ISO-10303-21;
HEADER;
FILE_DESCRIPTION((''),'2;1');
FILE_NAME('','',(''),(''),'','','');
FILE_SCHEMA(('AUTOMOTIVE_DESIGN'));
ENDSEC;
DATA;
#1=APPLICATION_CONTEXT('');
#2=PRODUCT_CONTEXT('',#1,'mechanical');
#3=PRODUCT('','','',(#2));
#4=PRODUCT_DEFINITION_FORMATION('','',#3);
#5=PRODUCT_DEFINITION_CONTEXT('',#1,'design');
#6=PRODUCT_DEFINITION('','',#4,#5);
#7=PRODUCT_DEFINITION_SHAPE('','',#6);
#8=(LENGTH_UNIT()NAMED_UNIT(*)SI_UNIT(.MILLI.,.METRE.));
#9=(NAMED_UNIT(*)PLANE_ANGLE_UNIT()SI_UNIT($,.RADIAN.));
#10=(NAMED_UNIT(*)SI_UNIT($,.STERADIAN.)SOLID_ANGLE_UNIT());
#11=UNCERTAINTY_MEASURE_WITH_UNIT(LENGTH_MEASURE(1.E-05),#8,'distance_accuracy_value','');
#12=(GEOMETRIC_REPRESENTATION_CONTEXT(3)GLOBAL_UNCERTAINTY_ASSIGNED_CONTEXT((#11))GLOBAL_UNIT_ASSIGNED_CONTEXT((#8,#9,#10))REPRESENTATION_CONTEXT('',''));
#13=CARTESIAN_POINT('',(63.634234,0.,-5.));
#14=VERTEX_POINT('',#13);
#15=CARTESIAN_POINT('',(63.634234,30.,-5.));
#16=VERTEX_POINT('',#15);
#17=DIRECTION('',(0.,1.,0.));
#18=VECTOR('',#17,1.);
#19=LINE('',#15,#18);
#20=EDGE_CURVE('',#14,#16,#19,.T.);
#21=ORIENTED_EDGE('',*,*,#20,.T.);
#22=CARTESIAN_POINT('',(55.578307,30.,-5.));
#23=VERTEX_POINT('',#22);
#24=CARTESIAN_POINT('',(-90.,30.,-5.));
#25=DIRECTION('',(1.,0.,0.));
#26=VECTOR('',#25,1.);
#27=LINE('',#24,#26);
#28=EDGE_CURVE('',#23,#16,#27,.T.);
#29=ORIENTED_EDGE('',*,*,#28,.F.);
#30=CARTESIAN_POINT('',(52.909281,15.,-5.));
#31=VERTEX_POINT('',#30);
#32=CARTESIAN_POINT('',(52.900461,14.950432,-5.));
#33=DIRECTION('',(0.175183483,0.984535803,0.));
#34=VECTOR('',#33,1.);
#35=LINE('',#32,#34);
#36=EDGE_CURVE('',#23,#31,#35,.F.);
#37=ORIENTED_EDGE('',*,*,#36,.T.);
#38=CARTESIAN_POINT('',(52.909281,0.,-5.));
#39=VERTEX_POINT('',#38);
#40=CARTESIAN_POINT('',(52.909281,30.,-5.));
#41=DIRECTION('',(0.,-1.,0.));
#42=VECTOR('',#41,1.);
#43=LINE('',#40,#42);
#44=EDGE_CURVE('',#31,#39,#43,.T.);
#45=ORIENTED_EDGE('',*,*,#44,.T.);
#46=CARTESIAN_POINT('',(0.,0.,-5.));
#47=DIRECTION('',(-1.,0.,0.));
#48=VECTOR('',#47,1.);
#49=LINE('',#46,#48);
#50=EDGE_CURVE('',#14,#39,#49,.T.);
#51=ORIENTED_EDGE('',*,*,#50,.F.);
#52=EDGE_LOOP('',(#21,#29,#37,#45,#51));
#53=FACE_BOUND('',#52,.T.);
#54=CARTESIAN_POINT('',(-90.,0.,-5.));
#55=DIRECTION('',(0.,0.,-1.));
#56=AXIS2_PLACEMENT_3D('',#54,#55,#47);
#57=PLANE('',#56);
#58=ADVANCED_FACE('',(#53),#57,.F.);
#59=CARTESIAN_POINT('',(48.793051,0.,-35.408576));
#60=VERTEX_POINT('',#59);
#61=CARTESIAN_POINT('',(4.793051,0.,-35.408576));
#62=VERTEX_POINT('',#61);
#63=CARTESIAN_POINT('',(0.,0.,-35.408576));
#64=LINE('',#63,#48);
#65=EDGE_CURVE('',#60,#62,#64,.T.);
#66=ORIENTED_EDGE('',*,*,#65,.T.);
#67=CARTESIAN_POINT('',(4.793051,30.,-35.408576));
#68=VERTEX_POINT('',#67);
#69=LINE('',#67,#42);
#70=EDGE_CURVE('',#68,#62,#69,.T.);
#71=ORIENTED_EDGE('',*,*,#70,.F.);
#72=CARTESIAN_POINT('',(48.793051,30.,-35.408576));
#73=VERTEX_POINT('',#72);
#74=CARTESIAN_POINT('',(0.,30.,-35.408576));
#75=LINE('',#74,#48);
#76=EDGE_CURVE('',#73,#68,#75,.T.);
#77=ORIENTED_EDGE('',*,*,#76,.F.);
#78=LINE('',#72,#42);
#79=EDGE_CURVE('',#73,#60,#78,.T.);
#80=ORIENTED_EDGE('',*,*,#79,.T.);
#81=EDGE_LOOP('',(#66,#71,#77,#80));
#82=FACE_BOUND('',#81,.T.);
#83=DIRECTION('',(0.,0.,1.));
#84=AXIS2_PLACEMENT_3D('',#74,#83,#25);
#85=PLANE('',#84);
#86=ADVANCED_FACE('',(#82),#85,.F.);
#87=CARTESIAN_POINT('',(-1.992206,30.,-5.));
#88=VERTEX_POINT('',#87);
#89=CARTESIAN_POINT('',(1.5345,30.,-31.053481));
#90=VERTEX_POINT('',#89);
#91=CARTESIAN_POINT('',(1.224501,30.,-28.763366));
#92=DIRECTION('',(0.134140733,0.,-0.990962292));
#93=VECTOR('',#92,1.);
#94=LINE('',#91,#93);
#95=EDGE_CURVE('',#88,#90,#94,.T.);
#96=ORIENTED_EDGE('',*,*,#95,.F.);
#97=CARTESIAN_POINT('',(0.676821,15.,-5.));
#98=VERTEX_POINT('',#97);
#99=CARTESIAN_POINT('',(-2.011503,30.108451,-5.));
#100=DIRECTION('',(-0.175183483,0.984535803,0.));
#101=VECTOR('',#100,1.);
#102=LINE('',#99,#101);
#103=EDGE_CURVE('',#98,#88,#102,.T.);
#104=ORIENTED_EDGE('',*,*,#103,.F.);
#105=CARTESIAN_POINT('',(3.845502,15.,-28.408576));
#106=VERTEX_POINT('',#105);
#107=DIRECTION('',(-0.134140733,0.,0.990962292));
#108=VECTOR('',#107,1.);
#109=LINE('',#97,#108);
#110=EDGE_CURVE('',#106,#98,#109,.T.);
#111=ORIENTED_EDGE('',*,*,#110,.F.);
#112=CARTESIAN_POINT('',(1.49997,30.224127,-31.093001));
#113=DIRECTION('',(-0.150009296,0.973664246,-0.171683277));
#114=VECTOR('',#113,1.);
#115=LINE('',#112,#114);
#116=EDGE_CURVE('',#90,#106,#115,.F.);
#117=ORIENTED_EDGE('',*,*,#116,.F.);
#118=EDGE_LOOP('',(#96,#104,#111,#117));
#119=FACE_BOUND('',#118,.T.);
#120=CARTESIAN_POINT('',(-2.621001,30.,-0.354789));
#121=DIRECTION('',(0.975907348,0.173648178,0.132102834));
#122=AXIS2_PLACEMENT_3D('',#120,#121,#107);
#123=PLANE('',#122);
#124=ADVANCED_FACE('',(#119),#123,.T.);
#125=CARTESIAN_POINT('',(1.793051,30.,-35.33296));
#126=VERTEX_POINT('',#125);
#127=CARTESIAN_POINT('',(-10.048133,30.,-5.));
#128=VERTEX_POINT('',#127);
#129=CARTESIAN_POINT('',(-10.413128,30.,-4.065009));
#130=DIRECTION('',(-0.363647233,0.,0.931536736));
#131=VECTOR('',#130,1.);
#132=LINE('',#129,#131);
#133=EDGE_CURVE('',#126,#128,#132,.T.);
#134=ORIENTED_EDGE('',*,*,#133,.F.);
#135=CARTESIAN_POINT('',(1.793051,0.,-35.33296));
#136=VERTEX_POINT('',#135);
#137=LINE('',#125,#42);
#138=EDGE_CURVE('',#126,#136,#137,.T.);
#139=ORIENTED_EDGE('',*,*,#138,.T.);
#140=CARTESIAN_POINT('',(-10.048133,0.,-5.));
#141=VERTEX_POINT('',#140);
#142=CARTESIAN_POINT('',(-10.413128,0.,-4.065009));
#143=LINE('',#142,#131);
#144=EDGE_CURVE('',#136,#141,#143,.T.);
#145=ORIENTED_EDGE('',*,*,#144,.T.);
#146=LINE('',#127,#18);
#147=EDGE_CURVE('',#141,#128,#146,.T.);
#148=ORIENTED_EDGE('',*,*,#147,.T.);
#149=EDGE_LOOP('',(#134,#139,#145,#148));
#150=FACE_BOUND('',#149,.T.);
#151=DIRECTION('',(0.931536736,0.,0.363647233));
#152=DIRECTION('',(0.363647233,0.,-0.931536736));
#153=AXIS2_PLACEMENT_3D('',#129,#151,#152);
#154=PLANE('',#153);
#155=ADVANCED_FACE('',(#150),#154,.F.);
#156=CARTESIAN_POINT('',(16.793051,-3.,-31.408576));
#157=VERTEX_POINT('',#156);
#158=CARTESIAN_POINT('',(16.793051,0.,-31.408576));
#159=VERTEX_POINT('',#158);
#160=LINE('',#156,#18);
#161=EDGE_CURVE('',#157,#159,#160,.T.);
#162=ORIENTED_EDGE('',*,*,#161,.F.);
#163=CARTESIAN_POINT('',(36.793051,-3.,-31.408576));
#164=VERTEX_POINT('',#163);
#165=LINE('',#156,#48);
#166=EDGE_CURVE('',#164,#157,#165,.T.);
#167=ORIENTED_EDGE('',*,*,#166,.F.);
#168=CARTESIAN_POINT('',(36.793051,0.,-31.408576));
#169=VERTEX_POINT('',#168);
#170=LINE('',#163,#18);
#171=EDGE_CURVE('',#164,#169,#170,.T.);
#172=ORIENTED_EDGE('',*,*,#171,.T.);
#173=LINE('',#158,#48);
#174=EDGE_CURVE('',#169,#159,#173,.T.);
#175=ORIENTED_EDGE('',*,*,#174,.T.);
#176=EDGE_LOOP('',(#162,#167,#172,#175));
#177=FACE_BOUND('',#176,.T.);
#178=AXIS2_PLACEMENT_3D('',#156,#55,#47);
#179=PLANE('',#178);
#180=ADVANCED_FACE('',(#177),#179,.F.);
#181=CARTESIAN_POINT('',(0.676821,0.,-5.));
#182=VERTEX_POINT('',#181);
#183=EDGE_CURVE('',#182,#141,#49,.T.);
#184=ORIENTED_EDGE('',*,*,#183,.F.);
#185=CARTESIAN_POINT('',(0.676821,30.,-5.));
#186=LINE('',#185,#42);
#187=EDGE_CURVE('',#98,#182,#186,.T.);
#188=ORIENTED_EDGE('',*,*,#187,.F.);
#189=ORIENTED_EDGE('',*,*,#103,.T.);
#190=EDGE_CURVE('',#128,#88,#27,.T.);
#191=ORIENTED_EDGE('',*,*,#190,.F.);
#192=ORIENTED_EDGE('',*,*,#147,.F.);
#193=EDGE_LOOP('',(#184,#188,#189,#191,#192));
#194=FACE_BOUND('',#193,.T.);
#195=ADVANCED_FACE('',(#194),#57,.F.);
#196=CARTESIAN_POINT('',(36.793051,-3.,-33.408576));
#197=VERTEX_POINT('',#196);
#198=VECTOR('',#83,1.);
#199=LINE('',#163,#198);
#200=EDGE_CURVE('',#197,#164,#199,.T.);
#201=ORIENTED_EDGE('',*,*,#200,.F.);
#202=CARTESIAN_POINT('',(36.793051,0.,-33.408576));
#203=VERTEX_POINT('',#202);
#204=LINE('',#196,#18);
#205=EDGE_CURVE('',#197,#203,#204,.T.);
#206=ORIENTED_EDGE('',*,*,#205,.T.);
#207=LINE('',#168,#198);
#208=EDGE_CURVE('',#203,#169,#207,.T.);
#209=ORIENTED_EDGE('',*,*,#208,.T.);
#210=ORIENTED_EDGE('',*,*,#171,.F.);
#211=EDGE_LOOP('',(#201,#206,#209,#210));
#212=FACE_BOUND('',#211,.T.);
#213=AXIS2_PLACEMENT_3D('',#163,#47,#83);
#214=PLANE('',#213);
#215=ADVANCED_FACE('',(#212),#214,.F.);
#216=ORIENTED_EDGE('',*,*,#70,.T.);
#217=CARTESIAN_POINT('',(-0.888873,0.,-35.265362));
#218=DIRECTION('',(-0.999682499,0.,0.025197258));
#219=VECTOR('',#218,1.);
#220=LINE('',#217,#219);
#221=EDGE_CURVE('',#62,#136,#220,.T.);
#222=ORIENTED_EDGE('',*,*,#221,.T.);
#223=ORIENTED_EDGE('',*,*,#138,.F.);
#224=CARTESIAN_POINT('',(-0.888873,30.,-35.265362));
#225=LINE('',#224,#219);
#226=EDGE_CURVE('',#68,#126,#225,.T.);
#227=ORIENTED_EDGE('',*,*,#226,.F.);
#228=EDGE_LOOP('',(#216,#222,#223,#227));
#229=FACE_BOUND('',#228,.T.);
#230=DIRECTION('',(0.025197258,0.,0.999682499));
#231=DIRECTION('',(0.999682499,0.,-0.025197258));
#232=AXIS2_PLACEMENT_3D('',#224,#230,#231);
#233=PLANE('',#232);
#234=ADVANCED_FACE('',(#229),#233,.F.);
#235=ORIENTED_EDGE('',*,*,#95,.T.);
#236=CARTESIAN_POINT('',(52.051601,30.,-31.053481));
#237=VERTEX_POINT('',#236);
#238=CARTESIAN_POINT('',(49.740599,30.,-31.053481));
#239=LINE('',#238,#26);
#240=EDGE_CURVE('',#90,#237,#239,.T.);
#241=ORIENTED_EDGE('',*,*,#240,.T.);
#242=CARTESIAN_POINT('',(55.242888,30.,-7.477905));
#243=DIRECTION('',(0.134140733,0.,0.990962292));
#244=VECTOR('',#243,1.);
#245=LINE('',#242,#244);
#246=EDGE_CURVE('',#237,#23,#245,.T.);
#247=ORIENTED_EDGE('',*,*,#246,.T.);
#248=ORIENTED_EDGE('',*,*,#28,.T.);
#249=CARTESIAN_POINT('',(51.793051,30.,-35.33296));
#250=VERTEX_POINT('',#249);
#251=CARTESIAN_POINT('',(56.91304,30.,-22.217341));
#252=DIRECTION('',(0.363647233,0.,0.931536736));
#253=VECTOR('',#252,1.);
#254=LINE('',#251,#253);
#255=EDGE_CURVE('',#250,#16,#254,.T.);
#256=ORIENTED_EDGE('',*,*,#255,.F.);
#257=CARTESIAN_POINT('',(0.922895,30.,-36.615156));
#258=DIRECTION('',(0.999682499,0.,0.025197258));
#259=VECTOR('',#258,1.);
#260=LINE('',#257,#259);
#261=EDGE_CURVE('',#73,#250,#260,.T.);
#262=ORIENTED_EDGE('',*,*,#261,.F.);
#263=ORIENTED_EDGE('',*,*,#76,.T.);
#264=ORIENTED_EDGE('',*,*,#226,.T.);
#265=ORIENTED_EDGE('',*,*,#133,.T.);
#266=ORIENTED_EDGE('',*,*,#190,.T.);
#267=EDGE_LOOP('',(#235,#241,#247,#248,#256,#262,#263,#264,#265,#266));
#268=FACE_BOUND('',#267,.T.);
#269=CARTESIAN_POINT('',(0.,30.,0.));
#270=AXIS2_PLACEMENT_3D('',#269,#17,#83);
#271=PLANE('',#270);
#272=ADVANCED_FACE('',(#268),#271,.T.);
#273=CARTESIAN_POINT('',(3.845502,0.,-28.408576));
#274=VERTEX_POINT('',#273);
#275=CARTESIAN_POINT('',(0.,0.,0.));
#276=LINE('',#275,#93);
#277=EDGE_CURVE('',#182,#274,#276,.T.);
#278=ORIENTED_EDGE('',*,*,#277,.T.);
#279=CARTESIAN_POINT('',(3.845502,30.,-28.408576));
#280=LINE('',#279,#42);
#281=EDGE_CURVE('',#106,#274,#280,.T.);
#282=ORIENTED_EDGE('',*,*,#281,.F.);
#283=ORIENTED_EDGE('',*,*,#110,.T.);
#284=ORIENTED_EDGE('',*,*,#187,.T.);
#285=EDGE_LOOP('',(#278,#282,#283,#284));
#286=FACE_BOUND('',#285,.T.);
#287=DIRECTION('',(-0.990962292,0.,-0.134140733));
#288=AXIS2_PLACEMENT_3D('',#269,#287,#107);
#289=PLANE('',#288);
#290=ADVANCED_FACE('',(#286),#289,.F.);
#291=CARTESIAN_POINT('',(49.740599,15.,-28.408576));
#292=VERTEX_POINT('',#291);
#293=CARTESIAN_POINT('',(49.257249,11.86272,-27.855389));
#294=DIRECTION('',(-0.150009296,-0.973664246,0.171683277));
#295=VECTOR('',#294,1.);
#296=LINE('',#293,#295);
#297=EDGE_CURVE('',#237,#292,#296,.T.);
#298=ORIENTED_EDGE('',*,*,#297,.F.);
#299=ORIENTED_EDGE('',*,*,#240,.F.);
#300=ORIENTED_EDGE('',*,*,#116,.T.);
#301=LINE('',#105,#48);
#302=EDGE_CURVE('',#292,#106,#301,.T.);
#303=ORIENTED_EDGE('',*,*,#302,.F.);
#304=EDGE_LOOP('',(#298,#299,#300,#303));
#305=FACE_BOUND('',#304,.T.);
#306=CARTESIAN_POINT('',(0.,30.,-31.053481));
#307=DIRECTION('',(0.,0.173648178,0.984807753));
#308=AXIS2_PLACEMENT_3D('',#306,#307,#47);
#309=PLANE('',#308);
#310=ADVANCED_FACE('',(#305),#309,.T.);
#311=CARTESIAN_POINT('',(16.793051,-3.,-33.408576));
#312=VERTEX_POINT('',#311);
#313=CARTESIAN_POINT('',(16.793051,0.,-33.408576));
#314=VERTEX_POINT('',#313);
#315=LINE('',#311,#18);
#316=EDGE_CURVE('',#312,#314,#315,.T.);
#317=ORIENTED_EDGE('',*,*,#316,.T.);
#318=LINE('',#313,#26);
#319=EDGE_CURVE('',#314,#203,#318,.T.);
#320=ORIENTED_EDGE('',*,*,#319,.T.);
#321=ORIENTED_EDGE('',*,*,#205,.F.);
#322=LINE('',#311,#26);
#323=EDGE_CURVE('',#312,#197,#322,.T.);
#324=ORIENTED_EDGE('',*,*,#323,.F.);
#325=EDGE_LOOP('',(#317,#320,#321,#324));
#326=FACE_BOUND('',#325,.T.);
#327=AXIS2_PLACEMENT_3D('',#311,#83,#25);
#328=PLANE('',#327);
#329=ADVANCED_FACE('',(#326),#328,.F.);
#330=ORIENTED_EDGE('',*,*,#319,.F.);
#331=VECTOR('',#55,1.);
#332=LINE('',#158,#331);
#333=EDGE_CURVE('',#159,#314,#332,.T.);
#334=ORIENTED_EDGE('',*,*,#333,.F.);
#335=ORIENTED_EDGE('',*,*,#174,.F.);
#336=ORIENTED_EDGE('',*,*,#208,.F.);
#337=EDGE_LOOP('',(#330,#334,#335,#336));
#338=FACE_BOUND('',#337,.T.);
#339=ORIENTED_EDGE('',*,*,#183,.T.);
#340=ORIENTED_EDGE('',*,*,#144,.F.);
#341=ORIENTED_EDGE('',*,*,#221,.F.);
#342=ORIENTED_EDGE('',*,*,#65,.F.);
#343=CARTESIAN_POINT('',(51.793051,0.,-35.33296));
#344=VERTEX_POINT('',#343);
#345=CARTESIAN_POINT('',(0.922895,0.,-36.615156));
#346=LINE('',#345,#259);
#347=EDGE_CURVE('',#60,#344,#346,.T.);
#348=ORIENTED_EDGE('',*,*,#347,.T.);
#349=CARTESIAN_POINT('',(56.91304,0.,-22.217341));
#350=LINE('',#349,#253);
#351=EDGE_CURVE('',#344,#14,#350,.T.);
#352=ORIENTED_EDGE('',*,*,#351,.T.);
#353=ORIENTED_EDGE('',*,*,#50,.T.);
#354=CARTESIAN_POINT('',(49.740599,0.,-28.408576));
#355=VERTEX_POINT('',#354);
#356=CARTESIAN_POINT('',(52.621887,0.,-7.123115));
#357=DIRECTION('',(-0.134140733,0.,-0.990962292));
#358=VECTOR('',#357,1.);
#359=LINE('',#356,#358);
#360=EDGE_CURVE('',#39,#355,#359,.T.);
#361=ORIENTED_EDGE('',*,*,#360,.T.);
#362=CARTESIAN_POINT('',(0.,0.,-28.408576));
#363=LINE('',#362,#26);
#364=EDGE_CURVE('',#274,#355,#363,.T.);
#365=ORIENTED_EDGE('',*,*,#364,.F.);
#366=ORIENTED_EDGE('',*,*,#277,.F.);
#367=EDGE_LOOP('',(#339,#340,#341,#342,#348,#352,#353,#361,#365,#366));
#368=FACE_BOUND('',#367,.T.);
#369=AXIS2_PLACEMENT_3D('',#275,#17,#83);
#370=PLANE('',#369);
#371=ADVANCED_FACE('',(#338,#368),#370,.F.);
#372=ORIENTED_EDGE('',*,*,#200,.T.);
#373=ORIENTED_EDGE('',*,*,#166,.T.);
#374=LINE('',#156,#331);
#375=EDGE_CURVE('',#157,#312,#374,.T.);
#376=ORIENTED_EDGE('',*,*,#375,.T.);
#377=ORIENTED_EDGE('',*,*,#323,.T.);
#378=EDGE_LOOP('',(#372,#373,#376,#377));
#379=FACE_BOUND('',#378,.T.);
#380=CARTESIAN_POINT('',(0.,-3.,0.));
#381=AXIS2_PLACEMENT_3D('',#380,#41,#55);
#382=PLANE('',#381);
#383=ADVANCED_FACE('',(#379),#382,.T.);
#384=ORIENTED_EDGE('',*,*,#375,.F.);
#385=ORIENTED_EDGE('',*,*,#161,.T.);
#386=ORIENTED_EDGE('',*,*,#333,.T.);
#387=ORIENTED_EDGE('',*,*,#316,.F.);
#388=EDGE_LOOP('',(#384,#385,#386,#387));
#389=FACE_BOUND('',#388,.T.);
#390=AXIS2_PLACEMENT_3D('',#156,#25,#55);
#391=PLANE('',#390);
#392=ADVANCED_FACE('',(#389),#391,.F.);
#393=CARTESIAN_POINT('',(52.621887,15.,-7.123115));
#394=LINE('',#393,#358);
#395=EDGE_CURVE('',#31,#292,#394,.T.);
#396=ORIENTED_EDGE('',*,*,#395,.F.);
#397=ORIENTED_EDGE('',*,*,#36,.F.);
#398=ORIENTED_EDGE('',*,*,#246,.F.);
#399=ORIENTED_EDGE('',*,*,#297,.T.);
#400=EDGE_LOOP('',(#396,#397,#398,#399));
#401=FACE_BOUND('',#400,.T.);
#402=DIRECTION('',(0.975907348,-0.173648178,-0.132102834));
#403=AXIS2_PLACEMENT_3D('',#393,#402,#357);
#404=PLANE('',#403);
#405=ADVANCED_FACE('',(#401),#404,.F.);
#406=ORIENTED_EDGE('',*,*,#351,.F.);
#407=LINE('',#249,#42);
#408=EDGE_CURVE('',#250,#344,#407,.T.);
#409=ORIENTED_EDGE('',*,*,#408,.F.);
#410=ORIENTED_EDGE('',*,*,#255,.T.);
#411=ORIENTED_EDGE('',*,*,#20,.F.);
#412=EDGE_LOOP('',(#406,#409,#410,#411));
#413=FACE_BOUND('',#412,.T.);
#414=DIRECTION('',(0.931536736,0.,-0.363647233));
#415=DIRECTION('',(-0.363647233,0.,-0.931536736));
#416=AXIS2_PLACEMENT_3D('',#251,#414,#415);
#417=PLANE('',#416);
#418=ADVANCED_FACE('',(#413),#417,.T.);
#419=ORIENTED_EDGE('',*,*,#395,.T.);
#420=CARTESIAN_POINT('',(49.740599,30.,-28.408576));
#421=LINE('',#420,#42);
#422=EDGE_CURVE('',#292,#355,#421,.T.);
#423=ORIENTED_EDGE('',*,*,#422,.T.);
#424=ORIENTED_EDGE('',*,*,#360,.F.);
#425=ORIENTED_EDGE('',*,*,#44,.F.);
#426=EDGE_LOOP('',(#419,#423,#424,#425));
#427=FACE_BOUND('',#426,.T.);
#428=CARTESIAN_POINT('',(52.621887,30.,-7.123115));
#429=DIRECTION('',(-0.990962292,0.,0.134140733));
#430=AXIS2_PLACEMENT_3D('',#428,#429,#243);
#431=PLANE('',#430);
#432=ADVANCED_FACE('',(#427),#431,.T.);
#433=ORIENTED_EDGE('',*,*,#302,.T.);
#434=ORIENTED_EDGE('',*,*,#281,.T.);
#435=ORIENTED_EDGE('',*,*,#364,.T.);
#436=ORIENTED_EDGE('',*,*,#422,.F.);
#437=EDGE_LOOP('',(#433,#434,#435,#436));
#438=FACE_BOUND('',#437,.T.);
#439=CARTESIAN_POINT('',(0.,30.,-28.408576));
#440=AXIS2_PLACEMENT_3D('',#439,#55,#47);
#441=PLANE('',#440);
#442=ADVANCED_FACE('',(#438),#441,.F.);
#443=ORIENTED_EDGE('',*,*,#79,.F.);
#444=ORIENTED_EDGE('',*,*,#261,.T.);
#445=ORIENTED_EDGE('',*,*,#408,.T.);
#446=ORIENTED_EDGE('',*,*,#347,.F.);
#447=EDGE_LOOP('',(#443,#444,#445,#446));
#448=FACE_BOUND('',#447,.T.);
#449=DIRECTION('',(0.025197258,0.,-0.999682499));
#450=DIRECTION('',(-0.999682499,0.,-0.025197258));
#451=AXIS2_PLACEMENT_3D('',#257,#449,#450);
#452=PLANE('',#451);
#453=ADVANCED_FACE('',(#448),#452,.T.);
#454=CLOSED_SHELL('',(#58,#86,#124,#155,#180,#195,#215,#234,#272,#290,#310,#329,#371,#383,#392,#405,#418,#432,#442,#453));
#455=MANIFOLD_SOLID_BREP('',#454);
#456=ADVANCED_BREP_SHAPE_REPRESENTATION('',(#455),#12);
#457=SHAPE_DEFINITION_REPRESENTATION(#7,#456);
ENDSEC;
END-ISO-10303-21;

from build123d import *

# Parameters (mm, degrees)
SALIENTE_EXTRUIR1_DEPTH = 30
CORTAR_EXTRUIR2_DEPTH   = 90
CROQUIS5_W              = 20
CROQUIS5_H              = 2
SALIENTE_EXTRUIR2_DEPTH = 3
CHAFL_N1_SIZE           = 15
CHAFL_N1_SIZE2          = 2.644904711
CHAFL_N1_PART_2_SIZE    = 15
CHAFL_N1_PART_2_SIZE2   = 2.644904711
CHAFL_N1_PART_3_SIZE    = 15
CHAFL_N1_PART_3_SIZE2   = 2.644904711


with BuildPart() as part:
    # Croquis2 → Saliente-Extruir1 (new body)
    with BuildSketch(Plane(origin=(0, 0, 0), x_dir=(1, 0, 0), z_dir=(0, 1, 0))):
        Polygon((4.793050572, 35.408576274), (1.793050572, 35.33296049), (-12, 0), (0, 0), (3.845501771, 28.408576274), align=None)
        Polygon((48.793050572, 35.408576274), (4.793050572, 35.408576274), (3.845501771, 28.408576274), (49.740599373, 28.408576274), align=None)
        Polygon((51.793050572, 35.33296049), (48.793050572, 35.408576274), (49.740599373, 28.408576274), (53.586101144, 0), (65.586101144, 0), align=None)
    extrude(amount=SALIENTE_EXTRUIR1_DEPTH)

    # Croquis4 → Cortar-Extruir2 (cut, symmetric)
    with BuildSketch(Plane(origin=(0, 0, 0), x_dir=(0, 0, -1), z_dir=(1, 0, 0))):
        Polygon((0, 0), (5, 0), (5, 30), (-4.90661078, 30), (-4.90661078, 0), align=None)
    extrude(amount=CORTAR_EXTRUIR2_DEPTH, both=True, mode=Mode.SUBTRACT)

    # Croquis5 → Saliente-Extruir2 (add)
    with BuildSketch(Plane(origin=(0, 0, 0), x_dir=(-1, 0, 0), z_dir=(0, -1, 0))):
        with Locations((-26.793050572, 32.408576274)):
            Rectangle(CROQUIS5_W, CROQUIS5_H)
    extrude(amount=SALIENTE_EXTRUIR2_DEPTH)

    # Chaflán1
    chafl_n1_edges = [part.edges().sort_by_distance(p)[0] for p in [
        (26.793050572, 30, -28.408576274),
    ]]
    chafl_n1_side = [part.faces().sort_by_distance(p)[0] for p in [
        (26.793050572, 15, -28.408576274),
    ]]
    chamfer(chafl_n1_edges, length=CHAFL_N1_SIZE, length2=CHAFL_N1_SIZE2, reference=chafl_n1_side[0])

    # Chaflán1 part 2
    chafl_n1_part_2_edges = [part.edges().sort_by_distance(p)[0] for p in [
        (2.261161172, 30, -16.704288137),
    ]]
    chafl_n1_part_2_side = [part.faces().sort_by_distance(p)[0] for p in [
        (2.261161172, 15, -16.704288137),
    ]]
    chamfer(chafl_n1_part_2_edges, length=CHAFL_N1_PART_2_SIZE, length2=CHAFL_N1_PART_2_SIZE2, reference=chafl_n1_part_2_side[0])

    # Chaflán1 part 3
    chafl_n1_part_3_edges = [part.edges().sort_by_distance(p)[0] for p in [
        (51.324939972, 30, -16.704288137),
    ]]
    chafl_n1_part_3_side = [part.faces().sort_by_distance(p)[0] for p in [
        (51.324939972, 15, -16.704288137),
    ]]
    chamfer(chafl_n1_part_3_edges, length=CHAFL_N1_PART_3_SIZE, length2=CHAFL_N1_PART_3_SIZE2, reference=chafl_n1_part_3_side[0])


solid = part.part
